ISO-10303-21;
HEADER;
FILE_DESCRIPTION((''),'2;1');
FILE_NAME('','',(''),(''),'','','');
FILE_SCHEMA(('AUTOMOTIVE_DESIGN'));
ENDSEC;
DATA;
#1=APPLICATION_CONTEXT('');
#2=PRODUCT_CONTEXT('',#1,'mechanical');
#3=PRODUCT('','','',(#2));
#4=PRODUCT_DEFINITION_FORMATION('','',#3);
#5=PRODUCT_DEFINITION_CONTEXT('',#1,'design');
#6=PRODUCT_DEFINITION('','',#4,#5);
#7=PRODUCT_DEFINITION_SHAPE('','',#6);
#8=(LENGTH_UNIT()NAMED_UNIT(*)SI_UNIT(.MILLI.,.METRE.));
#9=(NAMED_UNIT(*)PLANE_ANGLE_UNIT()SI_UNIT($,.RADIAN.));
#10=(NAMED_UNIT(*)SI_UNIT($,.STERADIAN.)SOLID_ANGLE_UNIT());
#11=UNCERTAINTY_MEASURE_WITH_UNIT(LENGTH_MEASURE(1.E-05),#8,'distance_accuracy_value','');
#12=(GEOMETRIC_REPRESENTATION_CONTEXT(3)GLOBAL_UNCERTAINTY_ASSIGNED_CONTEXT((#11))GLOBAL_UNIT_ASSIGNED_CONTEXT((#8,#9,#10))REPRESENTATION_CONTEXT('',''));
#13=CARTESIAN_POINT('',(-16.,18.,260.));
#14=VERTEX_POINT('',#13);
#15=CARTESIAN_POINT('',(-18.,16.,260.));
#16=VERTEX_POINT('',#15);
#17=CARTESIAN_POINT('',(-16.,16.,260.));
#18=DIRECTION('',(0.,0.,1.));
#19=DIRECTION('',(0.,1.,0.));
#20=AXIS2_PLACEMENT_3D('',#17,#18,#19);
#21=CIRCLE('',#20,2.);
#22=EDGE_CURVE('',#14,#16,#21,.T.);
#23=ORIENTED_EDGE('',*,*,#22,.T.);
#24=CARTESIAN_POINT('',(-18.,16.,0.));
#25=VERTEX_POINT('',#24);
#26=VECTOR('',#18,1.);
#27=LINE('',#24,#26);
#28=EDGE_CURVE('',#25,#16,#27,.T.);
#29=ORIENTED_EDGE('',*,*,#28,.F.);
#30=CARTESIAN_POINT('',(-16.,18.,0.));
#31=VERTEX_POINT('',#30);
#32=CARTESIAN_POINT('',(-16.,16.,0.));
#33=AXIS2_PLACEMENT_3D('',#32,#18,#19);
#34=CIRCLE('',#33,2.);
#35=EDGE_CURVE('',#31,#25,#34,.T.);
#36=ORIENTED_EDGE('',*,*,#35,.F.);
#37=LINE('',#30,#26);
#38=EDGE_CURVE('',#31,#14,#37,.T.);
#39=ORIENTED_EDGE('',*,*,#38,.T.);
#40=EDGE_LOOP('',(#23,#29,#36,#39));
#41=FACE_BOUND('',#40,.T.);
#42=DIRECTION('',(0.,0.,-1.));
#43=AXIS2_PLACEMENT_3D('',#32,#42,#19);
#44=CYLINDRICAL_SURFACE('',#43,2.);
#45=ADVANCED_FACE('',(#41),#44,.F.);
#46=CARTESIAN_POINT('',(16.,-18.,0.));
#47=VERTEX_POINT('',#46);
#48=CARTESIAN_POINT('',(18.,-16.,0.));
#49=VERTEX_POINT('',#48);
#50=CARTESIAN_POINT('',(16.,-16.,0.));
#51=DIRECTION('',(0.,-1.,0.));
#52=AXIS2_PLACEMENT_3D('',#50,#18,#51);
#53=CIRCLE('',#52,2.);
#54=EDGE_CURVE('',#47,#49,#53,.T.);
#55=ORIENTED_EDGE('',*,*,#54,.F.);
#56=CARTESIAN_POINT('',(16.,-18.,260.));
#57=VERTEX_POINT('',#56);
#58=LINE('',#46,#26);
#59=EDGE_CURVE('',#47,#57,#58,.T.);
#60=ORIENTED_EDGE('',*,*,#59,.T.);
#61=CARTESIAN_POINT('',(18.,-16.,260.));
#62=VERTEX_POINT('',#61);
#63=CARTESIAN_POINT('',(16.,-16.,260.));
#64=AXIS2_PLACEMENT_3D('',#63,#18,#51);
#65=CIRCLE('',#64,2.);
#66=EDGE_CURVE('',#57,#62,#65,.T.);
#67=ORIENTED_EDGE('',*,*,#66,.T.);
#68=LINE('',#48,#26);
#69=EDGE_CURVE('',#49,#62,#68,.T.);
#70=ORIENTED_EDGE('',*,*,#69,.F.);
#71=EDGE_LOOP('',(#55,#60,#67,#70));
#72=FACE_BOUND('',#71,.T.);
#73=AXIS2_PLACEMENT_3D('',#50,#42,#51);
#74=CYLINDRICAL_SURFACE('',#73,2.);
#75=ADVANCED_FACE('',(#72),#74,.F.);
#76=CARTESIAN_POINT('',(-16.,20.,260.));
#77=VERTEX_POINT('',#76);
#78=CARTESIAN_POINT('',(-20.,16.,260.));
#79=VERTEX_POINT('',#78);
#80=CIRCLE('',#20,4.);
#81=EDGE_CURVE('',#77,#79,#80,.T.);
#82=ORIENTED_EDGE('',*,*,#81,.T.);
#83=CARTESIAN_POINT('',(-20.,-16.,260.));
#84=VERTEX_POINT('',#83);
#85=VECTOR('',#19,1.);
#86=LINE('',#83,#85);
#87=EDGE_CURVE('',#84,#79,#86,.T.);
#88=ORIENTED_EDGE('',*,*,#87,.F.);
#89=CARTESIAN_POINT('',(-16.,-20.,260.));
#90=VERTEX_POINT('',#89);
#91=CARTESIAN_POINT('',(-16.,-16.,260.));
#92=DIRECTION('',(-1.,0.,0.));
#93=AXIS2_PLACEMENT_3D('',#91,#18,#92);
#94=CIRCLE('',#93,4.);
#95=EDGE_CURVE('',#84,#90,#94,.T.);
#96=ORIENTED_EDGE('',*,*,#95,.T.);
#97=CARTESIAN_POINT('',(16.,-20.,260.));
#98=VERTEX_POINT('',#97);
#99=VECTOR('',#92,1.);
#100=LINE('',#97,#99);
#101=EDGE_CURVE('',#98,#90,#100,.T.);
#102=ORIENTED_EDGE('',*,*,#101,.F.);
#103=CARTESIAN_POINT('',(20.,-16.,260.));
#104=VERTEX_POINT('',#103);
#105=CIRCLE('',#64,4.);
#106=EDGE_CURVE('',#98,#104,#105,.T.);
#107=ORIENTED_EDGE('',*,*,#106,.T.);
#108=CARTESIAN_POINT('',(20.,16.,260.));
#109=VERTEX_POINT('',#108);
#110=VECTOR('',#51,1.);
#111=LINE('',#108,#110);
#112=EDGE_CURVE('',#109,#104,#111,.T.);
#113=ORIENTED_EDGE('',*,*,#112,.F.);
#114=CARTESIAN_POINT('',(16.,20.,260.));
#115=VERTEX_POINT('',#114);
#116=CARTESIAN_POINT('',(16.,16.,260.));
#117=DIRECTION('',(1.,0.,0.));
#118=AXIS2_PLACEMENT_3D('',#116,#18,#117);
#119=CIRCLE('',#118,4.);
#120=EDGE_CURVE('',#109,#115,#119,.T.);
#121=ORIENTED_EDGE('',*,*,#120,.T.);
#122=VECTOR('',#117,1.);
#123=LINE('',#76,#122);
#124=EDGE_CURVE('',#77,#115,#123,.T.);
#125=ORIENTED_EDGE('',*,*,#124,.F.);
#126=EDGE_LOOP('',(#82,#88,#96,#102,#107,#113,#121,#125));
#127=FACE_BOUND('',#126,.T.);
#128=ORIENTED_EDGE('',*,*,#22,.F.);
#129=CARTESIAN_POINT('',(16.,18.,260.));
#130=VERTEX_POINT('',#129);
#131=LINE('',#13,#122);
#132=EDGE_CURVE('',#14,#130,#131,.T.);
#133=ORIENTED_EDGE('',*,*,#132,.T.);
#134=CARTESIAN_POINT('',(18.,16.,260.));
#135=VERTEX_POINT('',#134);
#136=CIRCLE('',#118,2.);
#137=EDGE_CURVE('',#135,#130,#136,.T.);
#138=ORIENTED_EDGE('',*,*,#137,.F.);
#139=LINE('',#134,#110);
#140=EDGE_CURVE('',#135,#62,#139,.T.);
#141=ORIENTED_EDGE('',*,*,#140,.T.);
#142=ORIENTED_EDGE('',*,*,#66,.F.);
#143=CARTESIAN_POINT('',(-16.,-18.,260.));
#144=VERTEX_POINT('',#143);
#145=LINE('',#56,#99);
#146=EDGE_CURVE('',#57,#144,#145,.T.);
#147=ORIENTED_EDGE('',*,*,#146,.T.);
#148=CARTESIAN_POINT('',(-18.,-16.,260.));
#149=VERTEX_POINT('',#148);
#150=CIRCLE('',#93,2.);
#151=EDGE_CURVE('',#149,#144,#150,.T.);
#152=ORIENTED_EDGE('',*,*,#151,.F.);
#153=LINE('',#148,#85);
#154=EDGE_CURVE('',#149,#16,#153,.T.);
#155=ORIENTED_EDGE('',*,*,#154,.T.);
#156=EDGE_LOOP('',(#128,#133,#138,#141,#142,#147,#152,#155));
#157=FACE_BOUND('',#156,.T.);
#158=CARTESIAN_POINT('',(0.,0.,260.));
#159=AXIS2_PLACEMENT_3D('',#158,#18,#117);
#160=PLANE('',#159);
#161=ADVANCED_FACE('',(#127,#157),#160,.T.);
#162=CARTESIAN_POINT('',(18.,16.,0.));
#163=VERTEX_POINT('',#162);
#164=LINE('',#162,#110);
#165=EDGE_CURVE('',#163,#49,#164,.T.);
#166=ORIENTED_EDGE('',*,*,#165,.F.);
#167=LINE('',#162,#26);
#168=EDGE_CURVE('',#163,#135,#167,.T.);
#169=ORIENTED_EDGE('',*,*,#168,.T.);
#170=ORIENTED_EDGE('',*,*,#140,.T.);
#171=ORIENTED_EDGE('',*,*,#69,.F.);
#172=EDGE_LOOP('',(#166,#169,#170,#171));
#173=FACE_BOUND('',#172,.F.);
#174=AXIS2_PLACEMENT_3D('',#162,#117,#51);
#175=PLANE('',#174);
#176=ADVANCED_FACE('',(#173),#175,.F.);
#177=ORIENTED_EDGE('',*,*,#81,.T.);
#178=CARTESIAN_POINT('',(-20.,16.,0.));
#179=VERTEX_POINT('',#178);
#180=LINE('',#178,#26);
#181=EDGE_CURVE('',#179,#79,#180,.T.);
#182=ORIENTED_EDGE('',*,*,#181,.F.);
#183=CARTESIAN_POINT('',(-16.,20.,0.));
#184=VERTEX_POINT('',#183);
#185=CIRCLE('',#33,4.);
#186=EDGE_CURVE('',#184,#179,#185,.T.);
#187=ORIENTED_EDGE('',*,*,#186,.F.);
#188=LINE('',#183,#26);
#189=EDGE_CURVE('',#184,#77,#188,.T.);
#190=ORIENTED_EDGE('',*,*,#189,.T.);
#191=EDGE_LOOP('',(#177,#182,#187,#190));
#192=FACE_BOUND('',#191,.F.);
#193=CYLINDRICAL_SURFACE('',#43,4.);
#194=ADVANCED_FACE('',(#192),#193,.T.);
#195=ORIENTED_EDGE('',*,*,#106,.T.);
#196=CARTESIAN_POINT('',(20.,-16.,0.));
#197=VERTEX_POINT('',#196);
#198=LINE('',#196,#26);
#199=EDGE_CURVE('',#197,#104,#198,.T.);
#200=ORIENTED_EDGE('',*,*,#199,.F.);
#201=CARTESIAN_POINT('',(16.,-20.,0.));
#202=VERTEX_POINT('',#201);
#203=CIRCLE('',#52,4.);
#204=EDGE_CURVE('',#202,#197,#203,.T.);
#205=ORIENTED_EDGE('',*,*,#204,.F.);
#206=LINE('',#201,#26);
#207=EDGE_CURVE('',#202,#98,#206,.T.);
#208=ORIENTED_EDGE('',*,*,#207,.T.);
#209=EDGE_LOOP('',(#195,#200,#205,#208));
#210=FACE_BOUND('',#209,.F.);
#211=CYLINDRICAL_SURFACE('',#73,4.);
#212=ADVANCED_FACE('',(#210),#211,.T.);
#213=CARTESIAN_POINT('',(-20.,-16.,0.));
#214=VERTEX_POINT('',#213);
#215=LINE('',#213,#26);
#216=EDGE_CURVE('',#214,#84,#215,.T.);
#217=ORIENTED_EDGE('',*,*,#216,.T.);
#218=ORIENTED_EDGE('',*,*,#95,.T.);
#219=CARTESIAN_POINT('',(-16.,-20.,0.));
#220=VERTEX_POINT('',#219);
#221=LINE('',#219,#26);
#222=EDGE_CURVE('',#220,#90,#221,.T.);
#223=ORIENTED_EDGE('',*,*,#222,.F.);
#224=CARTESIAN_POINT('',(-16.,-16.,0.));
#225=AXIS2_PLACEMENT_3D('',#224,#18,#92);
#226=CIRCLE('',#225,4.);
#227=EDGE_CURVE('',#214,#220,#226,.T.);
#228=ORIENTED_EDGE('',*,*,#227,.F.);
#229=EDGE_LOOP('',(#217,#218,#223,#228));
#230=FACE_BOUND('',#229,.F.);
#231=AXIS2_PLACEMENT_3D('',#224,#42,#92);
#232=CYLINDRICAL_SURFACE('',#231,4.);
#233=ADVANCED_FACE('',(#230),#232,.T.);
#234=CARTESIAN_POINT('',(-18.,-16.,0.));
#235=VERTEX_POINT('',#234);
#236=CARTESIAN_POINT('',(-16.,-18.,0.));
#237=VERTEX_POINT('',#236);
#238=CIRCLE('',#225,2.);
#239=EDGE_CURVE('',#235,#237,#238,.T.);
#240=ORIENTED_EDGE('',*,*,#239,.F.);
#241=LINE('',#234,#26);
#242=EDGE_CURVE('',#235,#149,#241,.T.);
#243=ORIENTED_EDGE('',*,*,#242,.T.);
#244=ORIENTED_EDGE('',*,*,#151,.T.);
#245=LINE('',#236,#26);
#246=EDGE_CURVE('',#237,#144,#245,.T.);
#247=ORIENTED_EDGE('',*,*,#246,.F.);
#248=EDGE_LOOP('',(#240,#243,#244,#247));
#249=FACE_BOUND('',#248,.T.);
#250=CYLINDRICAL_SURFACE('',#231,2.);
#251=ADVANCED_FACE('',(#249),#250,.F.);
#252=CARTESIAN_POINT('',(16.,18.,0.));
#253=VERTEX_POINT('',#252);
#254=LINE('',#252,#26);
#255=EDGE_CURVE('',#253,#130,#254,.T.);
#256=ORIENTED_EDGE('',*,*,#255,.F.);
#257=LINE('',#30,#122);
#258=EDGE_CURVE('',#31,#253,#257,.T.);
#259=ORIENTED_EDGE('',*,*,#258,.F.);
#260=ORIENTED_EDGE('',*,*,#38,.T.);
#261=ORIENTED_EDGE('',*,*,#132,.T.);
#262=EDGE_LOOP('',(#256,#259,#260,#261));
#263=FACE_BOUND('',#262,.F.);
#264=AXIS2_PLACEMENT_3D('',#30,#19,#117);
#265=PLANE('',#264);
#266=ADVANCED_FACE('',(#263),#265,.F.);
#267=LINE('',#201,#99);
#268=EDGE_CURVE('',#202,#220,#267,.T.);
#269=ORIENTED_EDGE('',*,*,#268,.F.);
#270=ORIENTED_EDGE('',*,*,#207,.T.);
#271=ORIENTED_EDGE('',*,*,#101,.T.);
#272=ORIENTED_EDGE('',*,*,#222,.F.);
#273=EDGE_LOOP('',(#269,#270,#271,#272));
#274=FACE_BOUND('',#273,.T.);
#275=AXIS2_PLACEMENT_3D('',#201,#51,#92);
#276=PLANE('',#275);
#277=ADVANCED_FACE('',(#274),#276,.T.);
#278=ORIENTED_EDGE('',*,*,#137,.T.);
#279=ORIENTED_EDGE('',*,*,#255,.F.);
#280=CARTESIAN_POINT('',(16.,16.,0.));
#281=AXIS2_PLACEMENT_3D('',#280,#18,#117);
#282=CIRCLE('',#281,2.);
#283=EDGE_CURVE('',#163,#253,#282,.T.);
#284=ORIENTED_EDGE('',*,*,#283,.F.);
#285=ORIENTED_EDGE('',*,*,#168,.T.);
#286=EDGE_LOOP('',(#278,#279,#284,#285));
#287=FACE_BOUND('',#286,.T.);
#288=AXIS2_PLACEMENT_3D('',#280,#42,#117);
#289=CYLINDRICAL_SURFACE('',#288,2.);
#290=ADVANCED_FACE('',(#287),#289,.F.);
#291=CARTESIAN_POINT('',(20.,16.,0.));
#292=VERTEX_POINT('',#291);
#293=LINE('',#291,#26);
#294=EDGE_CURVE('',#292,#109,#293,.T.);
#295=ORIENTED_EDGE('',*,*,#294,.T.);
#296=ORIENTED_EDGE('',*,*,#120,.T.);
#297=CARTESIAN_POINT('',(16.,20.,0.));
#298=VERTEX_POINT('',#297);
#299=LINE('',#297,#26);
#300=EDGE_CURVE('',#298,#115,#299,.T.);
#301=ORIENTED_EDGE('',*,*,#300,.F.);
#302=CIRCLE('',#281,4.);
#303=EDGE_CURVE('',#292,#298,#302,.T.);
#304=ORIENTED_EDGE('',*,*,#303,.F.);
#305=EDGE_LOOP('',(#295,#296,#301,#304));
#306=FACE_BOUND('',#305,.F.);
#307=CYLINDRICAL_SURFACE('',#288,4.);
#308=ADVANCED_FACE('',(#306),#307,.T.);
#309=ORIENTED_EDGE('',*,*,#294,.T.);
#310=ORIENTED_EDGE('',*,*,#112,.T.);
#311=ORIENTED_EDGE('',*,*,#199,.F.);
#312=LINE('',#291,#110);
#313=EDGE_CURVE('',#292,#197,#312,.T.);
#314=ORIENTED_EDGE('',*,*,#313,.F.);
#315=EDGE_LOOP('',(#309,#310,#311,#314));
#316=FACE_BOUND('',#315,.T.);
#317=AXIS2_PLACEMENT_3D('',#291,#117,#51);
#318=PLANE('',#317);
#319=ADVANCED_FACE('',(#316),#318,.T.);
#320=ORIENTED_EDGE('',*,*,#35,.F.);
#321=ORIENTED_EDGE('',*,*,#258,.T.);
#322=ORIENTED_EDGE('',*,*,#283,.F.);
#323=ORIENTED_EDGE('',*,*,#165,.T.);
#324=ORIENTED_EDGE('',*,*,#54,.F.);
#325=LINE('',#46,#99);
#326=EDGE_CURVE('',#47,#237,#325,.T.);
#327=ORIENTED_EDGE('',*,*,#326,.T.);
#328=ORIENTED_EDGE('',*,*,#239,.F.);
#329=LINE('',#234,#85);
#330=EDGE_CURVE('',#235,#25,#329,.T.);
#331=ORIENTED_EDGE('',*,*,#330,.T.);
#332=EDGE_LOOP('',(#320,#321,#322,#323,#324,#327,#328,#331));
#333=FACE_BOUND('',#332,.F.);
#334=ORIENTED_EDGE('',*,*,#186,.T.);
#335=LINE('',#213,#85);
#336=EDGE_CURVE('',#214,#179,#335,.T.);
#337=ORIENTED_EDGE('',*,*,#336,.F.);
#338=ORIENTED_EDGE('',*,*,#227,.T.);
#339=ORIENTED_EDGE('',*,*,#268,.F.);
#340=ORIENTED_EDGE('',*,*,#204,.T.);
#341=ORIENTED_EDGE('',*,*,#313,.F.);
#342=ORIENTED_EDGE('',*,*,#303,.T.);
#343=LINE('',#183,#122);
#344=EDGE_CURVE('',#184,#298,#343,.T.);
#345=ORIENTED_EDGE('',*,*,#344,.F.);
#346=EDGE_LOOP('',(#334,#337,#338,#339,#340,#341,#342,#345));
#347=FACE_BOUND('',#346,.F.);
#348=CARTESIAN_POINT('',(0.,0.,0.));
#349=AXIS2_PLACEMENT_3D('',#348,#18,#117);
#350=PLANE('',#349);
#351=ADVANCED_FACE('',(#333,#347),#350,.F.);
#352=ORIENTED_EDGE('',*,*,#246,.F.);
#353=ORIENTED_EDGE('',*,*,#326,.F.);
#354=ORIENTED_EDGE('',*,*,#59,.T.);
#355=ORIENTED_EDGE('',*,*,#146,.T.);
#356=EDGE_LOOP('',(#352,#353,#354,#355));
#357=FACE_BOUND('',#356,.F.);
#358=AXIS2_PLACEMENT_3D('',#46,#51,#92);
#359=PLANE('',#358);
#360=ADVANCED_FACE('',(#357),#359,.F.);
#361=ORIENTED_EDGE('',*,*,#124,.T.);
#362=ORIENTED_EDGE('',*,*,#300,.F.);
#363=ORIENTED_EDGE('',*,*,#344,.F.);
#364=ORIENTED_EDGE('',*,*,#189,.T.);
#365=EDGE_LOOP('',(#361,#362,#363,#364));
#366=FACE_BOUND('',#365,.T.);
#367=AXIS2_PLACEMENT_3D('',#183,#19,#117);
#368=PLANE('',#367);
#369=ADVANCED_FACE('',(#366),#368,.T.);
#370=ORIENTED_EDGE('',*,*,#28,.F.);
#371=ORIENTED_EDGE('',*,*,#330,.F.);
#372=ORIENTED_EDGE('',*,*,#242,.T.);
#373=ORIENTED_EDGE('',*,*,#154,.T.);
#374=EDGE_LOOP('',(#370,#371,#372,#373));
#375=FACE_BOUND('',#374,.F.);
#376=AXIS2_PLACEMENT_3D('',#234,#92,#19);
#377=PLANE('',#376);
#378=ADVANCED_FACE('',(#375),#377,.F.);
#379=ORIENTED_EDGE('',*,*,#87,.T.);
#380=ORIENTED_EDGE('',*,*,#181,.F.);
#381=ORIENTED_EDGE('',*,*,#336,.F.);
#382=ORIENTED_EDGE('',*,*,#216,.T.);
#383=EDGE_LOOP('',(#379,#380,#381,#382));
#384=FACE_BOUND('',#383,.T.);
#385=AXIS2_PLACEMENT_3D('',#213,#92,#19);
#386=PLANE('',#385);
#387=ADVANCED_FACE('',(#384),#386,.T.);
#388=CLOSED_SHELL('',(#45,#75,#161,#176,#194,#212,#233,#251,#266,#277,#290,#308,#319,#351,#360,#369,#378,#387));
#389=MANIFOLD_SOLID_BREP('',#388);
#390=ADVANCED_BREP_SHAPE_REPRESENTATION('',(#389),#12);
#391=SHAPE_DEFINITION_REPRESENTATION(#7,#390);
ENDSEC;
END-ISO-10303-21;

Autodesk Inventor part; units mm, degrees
ref_plane "YZ Plane" through (0, 0, 0) normal (1, 0, 0) x (0, 1, 0)
ref_plane "Start Plane" through (0, 0, 0) normal (0, 0, 1) x (1, 0, 0)
ref_plane "End Plane" through (0, 0, 260) normal (0, 0, 1) x (1, 0, 0)
sketch "Sketch" plane through (0, 0, 0) normal (0, 0, 1) x (1, 0, 0)
  line L0 (-20, -16) -> (-20, 16)
  line L1 (-16, 20) -> (16, 20)
  line L2 (20, 16) -> (20, -16)
  line L3 (16, -20) -> (-16, -20)
  arc A0 (-20, -16) -> (-16, -20) centre (-16, -16) ccw
  arc A1 (20, 16) -> (16, 20) centre (16, 16) ccw
  arc A2 (-16, 20) -> (-20, 16) centre (-16, 16) ccw
  arc A3 (16, -20) -> (20, -16) centre (16, -16) ccw
  arc A4 (-16, 18) -> (-18, 16) centre (-16, 16) ccw
  line L4 (-16, 18) -> (16, 18)
  arc A5 (18, 16) -> (16, 18) centre (16, 16) ccw
  line L5 (18, 16) -> (18, -16)
  arc A6 (16, -18) -> (18, -16) centre (16, -16) ccw
  line L6 (16, -18) -> (-16, -18)
  arc A7 (-18, -16) -> (-16, -18) centre (-16, -16) ccw
  line L7 (-18, -16) -> (-18, 16)
  line L8 (0, 29.1598) -> (0, -29.1598) construction
  line L9 (-29.1598, 0) -> (29.1598, 0) construction
  dimension "d7" = 4
  dimension "d9" = 40
  dimension "d11" = 40
  dimension "d12" = 2
  dimension "d15" = 20
  dimension "d16" = 20
extrude "Body" add sketch "Sketch" along normal up to surface (260 mm away) from surface at 0
sketch "Sketch3" plane through (0, 0, 0) normal (0, 0, 1) x (1, 0, 0)
  line L0 (0, 0) -> (10, 0)
ref_plane "Work Plane3" through (0, 0, 0) normal (0, -1, 0) x (1, 0, 0)
sketch "Sketch4" plane through (0, 0, 0) normal (0, -1, 0) x (1, 0, 0)
  line L0 (-2, 0) -> (12, 0) projected
  line L1 (-2, 260) -> (12, 260) projected
  dimension "d18" = 260
equation "\"d7\" = G_IR"
equation "\"d9\" = G_W"
equation "\"d11\" = G_H"
equation "\"d12\" = G_T"
equation "\"d15\" = 0.5 * d9"
equation "\"d16\" = 0.5 * d11"
equation "\"d3\" = G_L"
equation "\"G_W\" = 40"
equation "\"G_H\" = 40"
equation "\"G_T\" = 2"
equation "\"G_IR\" = 4"
equation "\"G_L\" = d18"
equation "\"G_OFFSET_START\" = 0"
properties part number "ISO 10799-2 - 40x40x2 - 260" material "Steel, Mild"
